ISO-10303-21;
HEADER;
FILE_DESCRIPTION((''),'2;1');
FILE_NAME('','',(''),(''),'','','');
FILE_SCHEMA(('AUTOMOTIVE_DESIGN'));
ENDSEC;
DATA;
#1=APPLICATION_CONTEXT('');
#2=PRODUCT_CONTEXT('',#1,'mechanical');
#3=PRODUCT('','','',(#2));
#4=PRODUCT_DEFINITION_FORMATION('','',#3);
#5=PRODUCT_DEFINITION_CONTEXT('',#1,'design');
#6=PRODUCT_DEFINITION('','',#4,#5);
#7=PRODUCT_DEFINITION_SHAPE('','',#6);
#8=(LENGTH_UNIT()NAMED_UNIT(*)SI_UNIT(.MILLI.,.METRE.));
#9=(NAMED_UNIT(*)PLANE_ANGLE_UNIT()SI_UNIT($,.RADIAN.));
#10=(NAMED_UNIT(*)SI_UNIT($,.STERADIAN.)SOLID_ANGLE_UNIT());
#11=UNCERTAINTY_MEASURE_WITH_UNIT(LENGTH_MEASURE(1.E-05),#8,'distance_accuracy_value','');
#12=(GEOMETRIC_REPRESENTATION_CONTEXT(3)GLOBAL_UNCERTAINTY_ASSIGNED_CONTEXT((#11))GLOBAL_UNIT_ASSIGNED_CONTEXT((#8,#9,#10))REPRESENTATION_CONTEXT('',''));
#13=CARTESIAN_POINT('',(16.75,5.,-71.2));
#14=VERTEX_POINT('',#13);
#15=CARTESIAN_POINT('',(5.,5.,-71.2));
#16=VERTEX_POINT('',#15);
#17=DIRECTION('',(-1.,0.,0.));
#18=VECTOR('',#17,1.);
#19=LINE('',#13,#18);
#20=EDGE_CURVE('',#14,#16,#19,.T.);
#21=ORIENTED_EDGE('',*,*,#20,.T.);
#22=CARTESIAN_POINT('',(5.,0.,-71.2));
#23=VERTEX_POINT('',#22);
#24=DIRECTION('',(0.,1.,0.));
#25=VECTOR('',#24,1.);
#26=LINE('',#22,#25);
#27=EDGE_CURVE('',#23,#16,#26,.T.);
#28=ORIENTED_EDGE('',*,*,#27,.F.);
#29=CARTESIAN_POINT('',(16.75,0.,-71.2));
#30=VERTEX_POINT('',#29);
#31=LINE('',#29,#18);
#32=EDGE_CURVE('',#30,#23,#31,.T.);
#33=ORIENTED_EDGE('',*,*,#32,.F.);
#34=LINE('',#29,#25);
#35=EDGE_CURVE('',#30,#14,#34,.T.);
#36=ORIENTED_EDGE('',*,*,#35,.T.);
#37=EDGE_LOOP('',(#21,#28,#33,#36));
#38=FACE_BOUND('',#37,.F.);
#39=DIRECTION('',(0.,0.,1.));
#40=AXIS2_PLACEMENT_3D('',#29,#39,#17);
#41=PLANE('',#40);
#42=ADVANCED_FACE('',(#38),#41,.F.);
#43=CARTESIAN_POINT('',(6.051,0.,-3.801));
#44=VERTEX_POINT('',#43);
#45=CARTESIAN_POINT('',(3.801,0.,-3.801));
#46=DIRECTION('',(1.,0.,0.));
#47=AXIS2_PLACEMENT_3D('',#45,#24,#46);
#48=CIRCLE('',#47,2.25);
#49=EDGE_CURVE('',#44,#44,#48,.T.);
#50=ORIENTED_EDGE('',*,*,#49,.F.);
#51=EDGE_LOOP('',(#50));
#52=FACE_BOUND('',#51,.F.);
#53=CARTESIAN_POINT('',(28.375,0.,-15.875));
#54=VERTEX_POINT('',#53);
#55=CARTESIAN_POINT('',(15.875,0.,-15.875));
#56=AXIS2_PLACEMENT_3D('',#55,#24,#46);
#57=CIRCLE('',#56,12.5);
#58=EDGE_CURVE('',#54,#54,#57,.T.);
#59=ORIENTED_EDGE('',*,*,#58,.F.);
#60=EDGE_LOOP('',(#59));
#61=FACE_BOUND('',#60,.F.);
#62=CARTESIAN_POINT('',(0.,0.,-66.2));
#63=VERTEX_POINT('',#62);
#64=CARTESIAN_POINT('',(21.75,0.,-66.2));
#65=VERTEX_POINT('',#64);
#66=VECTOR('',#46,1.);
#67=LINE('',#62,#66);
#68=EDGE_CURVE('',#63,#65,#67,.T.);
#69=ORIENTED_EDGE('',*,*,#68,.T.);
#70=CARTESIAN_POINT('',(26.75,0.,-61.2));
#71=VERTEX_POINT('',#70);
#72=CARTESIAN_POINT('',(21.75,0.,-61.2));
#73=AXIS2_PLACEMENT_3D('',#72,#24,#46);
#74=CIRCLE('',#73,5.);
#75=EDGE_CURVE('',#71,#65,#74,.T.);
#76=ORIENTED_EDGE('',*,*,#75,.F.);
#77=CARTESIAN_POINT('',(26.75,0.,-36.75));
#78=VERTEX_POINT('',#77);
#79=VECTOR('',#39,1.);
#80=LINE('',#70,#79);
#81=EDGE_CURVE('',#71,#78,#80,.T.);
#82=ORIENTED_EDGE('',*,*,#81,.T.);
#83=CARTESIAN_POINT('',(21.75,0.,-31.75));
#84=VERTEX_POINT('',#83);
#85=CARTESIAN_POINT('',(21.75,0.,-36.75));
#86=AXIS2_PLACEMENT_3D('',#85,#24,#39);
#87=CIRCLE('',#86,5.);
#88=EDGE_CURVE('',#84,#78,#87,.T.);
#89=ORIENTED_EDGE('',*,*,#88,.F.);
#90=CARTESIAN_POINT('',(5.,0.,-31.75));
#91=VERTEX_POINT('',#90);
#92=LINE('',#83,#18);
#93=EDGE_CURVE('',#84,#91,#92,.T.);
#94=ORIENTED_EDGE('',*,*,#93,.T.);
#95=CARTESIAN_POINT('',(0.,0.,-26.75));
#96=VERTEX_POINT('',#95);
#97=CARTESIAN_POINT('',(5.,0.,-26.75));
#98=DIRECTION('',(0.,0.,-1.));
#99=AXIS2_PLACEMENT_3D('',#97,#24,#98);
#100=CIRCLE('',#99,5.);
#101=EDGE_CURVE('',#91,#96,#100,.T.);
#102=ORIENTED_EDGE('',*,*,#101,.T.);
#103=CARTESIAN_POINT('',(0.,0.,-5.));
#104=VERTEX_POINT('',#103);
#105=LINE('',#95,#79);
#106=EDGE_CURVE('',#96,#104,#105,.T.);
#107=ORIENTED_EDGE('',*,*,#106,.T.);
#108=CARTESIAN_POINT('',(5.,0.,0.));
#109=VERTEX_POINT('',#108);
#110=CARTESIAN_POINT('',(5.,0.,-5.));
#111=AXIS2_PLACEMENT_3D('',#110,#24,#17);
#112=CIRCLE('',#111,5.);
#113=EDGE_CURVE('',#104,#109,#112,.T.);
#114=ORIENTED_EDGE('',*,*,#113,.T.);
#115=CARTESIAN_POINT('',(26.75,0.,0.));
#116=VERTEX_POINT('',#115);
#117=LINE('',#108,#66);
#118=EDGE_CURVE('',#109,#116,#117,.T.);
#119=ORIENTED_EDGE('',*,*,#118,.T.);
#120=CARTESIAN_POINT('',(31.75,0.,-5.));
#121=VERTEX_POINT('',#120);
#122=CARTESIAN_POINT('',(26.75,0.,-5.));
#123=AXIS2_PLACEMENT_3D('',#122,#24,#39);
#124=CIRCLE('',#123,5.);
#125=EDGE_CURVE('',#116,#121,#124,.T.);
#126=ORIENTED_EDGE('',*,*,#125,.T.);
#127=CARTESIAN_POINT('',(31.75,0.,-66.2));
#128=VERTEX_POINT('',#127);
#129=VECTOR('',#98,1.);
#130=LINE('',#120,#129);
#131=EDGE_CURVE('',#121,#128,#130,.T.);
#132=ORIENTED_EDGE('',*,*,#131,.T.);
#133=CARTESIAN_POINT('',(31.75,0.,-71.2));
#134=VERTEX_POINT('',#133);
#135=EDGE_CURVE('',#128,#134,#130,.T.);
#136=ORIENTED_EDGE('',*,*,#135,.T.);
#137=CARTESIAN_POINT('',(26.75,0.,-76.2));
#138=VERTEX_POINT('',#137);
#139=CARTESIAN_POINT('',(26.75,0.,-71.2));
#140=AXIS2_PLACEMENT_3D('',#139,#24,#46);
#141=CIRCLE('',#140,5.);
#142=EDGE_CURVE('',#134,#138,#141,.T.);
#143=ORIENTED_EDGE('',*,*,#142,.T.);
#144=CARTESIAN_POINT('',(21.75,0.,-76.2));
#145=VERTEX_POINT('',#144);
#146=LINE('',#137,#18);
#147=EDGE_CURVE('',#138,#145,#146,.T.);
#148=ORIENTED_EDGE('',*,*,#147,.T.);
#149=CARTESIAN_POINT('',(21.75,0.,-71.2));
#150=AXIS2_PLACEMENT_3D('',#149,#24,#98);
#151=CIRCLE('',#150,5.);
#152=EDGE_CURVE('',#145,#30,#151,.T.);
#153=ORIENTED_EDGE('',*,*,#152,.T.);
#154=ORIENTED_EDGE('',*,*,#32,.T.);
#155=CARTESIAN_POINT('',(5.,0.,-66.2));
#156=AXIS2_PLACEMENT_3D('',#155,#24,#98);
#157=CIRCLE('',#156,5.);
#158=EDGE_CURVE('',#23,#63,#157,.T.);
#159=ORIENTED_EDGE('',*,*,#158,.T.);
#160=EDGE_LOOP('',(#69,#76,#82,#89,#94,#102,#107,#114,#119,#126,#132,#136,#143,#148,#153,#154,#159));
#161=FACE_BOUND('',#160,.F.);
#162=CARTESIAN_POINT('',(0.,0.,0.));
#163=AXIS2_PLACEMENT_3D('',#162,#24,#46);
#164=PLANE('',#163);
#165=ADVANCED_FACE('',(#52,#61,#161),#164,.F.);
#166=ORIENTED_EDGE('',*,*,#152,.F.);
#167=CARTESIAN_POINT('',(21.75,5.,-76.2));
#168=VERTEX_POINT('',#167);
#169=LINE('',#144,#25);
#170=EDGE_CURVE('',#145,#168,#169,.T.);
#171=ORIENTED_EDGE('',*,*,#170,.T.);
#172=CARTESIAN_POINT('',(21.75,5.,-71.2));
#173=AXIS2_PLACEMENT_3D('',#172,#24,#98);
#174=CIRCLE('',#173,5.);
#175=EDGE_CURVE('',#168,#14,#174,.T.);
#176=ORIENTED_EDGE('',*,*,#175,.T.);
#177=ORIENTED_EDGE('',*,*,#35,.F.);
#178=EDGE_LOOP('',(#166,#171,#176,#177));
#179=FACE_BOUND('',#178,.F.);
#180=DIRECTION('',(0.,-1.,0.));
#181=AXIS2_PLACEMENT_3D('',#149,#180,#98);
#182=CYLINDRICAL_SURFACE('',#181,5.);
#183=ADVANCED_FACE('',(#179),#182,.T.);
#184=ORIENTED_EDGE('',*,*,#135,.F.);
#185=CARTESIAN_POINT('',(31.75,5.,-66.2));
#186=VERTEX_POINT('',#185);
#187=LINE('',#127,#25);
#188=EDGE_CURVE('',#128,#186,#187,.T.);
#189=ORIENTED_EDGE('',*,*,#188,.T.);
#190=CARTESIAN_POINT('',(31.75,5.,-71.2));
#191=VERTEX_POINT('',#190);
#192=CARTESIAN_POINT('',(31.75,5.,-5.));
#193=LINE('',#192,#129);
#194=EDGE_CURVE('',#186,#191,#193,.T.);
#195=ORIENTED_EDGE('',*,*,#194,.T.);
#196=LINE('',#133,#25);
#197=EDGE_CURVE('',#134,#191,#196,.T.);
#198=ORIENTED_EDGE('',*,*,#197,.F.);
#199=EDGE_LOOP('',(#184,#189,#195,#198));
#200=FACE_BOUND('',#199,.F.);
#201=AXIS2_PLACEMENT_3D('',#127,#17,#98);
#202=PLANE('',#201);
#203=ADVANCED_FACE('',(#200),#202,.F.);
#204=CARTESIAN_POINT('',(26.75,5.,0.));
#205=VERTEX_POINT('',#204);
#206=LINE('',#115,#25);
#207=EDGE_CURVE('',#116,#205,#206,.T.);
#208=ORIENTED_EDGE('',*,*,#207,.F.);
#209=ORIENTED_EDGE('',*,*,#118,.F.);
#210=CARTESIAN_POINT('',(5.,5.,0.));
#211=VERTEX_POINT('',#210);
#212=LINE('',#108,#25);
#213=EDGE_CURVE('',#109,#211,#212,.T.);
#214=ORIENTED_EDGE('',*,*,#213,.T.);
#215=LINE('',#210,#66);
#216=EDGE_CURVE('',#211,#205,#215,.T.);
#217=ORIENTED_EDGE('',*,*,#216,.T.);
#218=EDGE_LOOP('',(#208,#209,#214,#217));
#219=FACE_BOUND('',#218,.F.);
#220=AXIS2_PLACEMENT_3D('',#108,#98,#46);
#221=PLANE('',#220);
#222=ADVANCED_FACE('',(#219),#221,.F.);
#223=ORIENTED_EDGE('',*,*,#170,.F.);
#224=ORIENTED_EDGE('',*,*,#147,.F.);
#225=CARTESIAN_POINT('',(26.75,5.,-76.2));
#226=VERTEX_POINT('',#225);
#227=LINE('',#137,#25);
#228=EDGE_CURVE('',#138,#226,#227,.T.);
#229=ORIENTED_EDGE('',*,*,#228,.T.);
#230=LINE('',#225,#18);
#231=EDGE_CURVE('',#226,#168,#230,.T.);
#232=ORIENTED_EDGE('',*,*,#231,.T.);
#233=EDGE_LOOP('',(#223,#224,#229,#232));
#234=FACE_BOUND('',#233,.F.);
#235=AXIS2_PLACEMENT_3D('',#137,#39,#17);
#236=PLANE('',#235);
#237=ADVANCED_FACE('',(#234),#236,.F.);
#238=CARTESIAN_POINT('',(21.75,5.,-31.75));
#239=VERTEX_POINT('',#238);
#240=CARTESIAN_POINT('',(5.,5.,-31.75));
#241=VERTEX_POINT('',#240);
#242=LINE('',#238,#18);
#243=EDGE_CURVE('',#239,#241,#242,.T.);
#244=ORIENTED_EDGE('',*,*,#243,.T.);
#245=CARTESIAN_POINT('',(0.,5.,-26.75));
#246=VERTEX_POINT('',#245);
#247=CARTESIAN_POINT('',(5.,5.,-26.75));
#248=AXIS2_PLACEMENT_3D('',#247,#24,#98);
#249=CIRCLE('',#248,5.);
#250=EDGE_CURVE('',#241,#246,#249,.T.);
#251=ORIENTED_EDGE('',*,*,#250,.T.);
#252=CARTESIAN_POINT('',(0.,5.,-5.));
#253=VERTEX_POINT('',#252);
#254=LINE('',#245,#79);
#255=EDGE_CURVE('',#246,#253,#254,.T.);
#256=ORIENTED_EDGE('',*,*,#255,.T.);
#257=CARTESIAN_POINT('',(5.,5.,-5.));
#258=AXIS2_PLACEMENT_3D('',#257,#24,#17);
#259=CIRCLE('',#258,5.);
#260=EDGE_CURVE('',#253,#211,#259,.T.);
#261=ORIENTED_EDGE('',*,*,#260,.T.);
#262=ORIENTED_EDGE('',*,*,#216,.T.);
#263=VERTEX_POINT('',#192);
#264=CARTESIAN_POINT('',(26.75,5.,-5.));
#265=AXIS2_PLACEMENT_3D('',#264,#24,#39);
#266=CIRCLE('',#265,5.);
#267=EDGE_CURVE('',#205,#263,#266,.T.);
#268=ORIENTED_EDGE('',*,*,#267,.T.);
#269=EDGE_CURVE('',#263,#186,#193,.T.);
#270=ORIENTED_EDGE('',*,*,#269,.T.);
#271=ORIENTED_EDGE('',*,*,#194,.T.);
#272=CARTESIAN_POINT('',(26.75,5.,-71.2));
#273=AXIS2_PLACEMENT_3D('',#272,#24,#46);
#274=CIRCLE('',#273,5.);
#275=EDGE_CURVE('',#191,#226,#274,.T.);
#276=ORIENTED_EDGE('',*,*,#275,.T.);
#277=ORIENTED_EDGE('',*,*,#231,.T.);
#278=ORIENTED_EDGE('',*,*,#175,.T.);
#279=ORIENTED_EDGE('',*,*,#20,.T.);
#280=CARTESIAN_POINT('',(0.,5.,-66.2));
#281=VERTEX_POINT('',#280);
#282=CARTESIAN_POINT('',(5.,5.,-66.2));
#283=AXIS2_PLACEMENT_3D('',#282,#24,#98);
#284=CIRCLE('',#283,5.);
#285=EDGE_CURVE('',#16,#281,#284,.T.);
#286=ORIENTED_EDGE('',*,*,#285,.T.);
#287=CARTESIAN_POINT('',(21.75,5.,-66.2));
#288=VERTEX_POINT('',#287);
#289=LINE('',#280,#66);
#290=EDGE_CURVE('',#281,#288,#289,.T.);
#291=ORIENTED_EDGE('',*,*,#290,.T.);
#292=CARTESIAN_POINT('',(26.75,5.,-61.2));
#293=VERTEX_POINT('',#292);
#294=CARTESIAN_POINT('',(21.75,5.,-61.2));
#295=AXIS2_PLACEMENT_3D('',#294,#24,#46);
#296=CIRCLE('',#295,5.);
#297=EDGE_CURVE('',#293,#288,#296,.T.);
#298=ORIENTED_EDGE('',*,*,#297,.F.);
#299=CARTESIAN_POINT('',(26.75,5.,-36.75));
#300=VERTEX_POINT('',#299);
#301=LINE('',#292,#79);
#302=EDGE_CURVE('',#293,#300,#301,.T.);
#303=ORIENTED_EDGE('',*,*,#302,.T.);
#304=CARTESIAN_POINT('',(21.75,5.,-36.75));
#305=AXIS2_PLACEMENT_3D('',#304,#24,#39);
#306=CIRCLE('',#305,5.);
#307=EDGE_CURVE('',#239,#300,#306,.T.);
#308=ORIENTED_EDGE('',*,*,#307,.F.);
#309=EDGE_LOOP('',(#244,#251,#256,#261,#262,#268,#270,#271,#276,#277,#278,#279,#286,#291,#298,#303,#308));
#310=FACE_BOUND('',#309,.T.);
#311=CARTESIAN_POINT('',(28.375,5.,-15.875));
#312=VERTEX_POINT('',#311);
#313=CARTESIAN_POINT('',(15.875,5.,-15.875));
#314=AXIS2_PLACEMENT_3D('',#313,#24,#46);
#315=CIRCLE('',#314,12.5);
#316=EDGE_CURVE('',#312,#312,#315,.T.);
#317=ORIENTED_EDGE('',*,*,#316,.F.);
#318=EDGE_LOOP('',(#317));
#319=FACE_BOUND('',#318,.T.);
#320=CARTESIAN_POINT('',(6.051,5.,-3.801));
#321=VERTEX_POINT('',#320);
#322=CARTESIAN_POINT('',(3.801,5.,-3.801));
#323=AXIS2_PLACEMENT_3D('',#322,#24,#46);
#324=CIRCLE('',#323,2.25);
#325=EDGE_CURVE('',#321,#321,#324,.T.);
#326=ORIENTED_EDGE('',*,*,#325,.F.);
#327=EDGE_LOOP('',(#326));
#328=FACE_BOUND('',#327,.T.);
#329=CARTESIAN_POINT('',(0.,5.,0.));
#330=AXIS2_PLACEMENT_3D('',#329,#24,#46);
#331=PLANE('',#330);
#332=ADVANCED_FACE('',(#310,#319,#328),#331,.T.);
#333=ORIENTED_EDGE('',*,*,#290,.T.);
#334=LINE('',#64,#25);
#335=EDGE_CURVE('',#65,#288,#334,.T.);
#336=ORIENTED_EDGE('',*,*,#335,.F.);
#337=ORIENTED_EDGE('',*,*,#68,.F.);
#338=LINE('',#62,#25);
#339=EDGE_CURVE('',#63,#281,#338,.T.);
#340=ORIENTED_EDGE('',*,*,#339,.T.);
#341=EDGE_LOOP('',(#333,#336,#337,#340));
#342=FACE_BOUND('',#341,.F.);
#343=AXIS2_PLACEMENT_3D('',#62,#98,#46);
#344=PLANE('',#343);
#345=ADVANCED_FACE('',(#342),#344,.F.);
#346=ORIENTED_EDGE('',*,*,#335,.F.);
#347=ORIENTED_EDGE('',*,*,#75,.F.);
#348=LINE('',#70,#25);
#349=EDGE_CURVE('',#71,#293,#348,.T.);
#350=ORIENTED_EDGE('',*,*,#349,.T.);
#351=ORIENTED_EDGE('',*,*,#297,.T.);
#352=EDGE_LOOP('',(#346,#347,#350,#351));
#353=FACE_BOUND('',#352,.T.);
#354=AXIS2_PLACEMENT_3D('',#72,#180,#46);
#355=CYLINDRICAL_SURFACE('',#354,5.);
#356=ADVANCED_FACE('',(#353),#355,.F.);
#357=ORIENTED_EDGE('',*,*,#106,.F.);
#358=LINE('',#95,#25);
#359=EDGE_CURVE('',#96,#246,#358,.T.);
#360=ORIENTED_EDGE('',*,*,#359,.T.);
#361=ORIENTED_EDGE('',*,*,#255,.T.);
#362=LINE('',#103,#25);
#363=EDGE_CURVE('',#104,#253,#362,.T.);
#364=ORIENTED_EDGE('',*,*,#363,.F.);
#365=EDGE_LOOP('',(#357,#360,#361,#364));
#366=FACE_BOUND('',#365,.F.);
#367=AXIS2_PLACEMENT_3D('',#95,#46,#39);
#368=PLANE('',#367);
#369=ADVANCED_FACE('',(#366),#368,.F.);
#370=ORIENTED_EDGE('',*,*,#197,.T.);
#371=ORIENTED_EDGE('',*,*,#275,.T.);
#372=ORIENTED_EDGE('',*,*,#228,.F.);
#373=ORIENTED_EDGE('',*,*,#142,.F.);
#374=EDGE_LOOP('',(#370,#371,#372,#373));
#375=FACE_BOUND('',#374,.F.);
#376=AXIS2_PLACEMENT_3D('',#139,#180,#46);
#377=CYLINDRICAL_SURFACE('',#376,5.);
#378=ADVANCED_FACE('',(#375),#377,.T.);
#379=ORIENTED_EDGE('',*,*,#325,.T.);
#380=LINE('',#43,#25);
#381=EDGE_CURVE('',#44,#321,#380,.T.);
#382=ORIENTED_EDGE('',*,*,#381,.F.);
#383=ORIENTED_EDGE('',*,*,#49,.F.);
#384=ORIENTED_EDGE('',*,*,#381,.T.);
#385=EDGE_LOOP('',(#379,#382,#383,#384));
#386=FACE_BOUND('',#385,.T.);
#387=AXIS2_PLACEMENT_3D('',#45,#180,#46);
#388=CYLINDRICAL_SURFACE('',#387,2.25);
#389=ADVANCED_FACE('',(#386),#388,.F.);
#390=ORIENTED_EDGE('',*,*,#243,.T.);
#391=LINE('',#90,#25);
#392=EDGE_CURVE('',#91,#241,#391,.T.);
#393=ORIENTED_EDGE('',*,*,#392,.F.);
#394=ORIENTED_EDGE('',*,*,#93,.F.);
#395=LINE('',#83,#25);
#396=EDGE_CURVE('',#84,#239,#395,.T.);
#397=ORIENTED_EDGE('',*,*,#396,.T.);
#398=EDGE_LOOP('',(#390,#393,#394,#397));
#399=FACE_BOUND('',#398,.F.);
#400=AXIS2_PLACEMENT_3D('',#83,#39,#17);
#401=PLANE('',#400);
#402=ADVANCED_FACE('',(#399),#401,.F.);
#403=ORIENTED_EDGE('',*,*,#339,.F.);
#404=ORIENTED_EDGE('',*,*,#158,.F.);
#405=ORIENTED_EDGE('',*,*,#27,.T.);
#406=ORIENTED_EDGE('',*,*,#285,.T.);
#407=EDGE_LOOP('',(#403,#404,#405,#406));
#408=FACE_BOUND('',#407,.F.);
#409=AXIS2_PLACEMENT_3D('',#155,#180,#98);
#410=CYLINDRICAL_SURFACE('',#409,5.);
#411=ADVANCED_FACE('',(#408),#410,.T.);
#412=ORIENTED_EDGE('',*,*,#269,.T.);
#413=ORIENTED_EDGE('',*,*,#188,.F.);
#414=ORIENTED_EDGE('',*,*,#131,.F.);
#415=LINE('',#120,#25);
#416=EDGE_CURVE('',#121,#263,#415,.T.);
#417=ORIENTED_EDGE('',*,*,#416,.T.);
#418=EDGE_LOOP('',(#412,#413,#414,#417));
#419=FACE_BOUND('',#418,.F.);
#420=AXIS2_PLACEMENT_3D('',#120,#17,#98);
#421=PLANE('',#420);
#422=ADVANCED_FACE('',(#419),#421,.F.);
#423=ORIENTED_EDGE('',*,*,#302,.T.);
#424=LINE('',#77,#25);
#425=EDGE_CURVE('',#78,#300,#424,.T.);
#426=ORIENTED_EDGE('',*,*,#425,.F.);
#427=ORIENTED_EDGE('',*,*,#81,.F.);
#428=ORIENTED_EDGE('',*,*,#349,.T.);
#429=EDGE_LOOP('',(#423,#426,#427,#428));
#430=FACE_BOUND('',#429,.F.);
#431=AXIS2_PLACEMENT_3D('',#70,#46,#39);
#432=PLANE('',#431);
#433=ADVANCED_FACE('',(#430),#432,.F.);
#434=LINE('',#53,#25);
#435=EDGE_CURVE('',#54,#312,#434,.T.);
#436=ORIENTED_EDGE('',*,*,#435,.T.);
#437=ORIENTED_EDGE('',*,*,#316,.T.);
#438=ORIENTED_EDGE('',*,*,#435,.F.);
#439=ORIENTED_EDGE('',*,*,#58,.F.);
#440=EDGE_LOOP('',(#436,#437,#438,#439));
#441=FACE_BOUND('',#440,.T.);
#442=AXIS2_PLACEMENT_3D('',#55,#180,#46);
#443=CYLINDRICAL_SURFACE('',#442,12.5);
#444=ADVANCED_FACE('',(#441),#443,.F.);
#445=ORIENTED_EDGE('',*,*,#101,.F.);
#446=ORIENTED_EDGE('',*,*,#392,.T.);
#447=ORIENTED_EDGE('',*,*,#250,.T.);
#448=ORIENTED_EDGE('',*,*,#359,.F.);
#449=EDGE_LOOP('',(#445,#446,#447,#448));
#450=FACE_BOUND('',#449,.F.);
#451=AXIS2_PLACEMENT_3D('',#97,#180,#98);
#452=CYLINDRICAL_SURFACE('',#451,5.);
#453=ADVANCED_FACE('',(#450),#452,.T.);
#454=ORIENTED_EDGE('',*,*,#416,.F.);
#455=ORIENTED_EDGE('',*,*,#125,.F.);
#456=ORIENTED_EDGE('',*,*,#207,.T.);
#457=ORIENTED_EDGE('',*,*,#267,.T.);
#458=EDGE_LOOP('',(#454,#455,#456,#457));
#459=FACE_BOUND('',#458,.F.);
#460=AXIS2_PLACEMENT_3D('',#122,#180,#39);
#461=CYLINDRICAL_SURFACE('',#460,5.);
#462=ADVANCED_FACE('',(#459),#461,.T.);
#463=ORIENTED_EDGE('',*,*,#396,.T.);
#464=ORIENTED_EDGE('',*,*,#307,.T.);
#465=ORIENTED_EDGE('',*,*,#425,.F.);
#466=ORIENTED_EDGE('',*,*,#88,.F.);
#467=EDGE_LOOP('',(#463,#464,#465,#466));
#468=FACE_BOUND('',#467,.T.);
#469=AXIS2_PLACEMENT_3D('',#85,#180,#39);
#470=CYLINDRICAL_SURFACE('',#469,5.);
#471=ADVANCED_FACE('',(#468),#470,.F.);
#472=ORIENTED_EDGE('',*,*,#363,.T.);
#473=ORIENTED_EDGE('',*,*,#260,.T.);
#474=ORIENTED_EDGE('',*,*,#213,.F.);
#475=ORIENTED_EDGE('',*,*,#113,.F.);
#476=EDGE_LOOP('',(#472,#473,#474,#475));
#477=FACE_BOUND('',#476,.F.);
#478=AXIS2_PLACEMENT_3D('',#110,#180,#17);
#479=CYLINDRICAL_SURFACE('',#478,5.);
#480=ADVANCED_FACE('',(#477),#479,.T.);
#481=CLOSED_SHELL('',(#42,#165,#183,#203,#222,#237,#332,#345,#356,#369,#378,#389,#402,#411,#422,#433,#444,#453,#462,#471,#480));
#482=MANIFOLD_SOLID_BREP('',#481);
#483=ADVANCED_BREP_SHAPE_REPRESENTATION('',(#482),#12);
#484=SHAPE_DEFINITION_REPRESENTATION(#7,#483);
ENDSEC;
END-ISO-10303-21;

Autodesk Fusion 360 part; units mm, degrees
sketch "Sketch1" plane through (0, 0, 0) normal (0, 1, 0) x (1, 0, 0)
  line L0 (5, 0) -> (26.75, 0)
  line L1 (31.75, 5) -> (31.75, 76.2)
  line L2 (26.75, 76.2) -> (21.75, 76.2)
  line L3 (16.75, 71.2) -> (16.75, 71.2)
  line L4 (16.75, 71.2) -> (5, 71.2)
  line L5 (0, 66.2) -> (0, 66.2)
  line L6 (31.75, 71.2) -> (31.75, 66.2)
  line L7 (0, 66.2) -> (21.75, 66.2)
  line L8 (26.75, 61.2) -> (26.75, 36.75)
  line L9 (21.75, 31.75) -> (5, 31.75)
  line L10 (0, 26.75) -> (0, 5)
  arc A0 (21.75, 76.2) -> (16.75, 71.2) centre (21.75, 71.2) ccw
  arc A1 (31.75, 71.2) -> (26.75, 76.2) centre (26.75, 71.2) ccw
  arc A2 (5, 71.2) -> (0, 66.2) centre (5, 66.2) ccw
  arc A3 (26.75, 61.2) -> (21.75, 66.2) centre (21.75, 61.2) ccw
  arc A4 (21.75, 31.75) -> (26.75, 36.75) centre (21.75, 36.75) ccw
  arc A5 (5, 31.75) -> (0, 26.75) centre (5, 26.75) ccw
  arc A6 (0, 5) -> (5, 0) centre (5, 5) ccw
  arc A7 (26.75, 0) -> (31.75, 5) centre (26.75, 5) ccw
  circle A8 centre (15.875, 15.875) radius 12.5
  circle A9 centre (3.801, 3.801) radius 2.25
  dimension "d12" = 25
extrude "Extrude1" add sketch "Sketch1" along normal blind 5
sketch "Sketch2" plane through (0, 0, 0) normal (1, 0, 0) x (0, 0, -1)
